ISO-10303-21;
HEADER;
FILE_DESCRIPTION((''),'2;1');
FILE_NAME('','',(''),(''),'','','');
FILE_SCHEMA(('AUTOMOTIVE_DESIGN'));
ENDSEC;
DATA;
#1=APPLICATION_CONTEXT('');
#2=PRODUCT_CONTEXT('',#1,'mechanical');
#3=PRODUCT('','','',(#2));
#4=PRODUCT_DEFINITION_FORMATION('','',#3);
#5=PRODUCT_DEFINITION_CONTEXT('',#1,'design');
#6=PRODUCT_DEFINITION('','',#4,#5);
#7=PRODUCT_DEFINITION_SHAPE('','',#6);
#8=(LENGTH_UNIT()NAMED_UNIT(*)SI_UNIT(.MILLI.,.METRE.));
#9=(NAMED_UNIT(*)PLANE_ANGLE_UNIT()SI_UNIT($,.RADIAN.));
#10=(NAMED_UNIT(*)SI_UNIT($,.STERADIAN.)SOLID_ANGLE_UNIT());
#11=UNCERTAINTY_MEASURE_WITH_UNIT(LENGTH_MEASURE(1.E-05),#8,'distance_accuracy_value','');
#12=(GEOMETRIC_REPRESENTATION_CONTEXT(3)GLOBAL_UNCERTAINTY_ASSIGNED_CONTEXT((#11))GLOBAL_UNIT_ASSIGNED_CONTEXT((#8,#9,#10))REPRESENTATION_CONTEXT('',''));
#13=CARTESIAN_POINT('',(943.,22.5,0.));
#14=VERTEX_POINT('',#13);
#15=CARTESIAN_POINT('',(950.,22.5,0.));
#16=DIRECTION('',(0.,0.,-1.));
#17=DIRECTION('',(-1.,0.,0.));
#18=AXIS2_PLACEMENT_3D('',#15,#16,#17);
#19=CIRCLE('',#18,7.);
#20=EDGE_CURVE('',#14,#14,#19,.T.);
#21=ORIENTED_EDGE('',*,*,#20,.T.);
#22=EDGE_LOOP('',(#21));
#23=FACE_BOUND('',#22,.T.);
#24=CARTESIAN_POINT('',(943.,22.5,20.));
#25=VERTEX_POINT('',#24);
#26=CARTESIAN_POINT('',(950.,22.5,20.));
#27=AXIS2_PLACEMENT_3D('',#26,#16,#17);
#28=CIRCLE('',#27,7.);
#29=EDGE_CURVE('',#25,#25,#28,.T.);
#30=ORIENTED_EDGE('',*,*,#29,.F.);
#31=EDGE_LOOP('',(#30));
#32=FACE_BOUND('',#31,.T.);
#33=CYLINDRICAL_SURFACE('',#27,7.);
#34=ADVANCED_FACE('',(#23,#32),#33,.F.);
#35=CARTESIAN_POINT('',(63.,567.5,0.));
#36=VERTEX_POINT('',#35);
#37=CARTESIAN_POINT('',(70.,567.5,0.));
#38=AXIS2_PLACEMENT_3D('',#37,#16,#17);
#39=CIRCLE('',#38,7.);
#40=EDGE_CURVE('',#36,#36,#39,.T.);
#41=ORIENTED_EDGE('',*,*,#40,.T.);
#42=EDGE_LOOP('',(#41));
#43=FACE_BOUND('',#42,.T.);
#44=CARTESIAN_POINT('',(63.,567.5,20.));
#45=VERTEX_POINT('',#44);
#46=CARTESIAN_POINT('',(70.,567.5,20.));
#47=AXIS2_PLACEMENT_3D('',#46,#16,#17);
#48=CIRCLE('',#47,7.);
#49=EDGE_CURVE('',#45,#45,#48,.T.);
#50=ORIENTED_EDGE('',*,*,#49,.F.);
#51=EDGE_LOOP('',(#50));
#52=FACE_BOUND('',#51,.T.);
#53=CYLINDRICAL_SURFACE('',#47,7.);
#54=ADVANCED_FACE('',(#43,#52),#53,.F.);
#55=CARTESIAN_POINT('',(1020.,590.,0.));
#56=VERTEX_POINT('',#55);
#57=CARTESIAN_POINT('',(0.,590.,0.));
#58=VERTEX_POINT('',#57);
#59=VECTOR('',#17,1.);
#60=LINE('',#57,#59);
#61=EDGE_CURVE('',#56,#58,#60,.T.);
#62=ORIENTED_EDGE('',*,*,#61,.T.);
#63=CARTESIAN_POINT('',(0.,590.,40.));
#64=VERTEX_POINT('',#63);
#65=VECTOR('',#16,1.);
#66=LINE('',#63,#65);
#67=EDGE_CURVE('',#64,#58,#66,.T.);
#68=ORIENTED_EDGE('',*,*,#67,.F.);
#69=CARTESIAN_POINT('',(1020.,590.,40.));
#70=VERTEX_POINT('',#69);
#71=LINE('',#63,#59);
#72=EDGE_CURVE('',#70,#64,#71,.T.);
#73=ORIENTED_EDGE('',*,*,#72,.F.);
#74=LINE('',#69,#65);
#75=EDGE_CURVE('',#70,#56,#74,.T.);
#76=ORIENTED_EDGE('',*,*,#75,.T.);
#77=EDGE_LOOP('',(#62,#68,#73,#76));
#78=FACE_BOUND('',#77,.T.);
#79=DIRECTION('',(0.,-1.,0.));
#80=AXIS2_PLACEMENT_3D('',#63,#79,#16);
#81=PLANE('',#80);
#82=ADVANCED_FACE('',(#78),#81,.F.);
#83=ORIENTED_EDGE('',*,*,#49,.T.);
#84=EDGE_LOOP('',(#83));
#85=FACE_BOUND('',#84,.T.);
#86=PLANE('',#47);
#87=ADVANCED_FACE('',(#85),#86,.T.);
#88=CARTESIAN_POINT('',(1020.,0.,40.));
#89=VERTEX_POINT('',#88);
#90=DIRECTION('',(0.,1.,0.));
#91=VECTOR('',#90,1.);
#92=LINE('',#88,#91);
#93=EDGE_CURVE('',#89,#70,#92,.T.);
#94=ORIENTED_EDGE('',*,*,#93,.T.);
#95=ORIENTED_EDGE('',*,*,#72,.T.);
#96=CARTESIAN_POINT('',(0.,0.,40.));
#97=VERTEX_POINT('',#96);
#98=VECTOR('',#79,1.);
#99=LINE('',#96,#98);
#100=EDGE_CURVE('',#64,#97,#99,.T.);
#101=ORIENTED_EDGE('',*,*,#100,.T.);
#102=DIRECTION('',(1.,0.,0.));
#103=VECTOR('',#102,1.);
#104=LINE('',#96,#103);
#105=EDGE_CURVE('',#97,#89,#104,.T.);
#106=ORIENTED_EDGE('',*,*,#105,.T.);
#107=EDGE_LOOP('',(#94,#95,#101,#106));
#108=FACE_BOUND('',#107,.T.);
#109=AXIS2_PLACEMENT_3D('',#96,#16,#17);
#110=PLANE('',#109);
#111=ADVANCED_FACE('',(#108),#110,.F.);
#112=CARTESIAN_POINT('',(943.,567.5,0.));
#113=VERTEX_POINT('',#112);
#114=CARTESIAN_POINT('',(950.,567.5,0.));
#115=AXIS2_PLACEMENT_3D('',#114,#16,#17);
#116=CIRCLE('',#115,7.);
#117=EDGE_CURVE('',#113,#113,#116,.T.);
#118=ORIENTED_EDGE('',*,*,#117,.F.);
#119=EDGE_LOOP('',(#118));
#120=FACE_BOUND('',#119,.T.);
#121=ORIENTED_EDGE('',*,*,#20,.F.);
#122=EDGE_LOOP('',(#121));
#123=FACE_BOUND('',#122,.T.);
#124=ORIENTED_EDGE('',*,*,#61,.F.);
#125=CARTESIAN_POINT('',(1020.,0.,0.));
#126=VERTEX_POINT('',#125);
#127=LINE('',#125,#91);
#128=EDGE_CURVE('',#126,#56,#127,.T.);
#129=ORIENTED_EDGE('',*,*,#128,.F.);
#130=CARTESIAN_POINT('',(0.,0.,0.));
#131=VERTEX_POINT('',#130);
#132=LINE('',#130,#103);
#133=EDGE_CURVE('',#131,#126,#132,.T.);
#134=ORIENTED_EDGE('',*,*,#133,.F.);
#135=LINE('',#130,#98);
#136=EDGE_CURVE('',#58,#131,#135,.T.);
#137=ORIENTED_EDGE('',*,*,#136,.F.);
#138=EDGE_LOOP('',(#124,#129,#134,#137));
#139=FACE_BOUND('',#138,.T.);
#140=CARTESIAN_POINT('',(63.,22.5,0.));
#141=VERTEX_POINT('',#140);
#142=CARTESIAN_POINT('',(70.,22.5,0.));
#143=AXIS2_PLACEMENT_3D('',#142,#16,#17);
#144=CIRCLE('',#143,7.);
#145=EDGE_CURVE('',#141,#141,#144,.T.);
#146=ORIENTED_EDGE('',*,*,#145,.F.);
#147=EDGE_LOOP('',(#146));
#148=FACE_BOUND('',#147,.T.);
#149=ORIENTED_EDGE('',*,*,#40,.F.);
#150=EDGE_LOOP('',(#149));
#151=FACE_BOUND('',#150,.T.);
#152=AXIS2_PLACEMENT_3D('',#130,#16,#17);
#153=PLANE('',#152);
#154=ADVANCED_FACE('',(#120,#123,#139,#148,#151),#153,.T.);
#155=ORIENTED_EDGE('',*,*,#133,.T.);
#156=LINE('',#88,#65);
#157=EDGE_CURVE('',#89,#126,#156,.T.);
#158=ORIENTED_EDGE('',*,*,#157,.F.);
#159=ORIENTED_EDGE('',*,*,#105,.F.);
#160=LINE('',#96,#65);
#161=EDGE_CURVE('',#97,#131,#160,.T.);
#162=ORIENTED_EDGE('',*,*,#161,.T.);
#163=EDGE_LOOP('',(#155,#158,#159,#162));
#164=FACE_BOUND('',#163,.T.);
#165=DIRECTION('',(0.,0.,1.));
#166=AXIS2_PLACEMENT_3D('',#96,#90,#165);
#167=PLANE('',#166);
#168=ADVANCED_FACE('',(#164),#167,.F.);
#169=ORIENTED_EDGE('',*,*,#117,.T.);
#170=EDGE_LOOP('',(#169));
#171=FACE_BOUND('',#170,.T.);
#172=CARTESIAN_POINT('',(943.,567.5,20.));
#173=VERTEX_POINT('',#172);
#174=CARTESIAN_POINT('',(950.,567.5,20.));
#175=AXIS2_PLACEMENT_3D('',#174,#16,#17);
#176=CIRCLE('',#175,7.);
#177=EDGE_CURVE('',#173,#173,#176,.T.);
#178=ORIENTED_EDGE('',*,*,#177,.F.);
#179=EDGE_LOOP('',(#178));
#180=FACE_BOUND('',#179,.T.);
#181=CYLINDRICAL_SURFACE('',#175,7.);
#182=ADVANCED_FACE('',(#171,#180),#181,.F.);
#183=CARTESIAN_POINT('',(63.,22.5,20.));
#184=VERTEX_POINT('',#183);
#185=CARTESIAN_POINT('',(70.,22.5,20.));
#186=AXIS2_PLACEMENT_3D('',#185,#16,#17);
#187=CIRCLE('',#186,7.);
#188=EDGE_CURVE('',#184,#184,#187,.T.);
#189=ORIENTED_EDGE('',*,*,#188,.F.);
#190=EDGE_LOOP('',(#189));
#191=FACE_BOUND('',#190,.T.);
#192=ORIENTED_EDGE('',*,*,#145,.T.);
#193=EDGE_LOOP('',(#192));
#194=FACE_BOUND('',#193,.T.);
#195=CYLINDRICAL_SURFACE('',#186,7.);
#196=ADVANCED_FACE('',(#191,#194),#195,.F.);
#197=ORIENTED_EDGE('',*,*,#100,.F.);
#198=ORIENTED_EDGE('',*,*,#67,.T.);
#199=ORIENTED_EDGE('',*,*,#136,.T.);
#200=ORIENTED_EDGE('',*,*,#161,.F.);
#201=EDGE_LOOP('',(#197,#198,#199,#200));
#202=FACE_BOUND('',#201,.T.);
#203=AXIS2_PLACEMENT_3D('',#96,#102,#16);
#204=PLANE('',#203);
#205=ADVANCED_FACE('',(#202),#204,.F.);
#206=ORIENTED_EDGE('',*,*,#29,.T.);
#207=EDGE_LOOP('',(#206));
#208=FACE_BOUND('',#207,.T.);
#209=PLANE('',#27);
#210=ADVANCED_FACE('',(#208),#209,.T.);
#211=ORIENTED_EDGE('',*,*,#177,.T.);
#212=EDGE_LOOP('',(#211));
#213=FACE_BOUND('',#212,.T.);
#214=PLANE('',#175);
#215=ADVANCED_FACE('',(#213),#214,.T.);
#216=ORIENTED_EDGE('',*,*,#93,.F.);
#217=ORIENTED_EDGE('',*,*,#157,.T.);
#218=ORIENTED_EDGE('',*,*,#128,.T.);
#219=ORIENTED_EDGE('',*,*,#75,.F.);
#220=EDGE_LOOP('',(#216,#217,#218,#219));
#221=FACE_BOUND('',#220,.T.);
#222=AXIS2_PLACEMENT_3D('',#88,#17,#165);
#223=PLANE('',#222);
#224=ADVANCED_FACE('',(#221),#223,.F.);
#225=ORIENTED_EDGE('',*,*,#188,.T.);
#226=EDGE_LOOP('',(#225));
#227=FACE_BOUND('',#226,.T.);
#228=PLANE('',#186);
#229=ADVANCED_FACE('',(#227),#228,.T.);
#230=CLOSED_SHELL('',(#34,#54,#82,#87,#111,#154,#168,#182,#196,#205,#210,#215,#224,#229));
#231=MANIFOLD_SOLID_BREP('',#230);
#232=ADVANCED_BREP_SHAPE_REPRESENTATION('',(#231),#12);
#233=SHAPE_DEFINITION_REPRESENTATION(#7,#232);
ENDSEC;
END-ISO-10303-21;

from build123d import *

# Parameters (mm, degrees)
CROQUIS1_W              = 1020
CROQUIS1_H              = 590
SALIENTE_EXTRUIR1_DEPTH = 40
CROQUIS2_R              = 7
CORTAR_EXTRUIR1_DEPTH   = 20


with BuildPart() as part:
    # Croquis1 → Saliente-Extruir1 (new body)
    with BuildSketch(Plane.XY):
        with Locations((510, 295)):
            Rectangle(CROQUIS1_W, CROQUIS1_H)
    extrude(amount=SALIENTE_EXTRUIR1_DEPTH)

    # Croquis2 → Cortar-Extruir1 (cut)
    with BuildSketch(Plane(origin=(0, 0, 0), x_dir=(-1, 0, 0), z_dir=(0, 0, -1))):
        with Locations((-70, 22.5)):
            Circle(CROQUIS2_R)
        with Locations((-70, 567.5)):
            Circle(CROQUIS2_R)
        with Locations((-950, 567.5)):
            Circle(CROQUIS2_R)
        with Locations((-950, 22.5)):
            Circle(CROQUIS2_R)
    extrude(amount=-CORTAR_EXTRUIR1_DEPTH, mode=Mode.SUBTRACT)


solid = part.part
